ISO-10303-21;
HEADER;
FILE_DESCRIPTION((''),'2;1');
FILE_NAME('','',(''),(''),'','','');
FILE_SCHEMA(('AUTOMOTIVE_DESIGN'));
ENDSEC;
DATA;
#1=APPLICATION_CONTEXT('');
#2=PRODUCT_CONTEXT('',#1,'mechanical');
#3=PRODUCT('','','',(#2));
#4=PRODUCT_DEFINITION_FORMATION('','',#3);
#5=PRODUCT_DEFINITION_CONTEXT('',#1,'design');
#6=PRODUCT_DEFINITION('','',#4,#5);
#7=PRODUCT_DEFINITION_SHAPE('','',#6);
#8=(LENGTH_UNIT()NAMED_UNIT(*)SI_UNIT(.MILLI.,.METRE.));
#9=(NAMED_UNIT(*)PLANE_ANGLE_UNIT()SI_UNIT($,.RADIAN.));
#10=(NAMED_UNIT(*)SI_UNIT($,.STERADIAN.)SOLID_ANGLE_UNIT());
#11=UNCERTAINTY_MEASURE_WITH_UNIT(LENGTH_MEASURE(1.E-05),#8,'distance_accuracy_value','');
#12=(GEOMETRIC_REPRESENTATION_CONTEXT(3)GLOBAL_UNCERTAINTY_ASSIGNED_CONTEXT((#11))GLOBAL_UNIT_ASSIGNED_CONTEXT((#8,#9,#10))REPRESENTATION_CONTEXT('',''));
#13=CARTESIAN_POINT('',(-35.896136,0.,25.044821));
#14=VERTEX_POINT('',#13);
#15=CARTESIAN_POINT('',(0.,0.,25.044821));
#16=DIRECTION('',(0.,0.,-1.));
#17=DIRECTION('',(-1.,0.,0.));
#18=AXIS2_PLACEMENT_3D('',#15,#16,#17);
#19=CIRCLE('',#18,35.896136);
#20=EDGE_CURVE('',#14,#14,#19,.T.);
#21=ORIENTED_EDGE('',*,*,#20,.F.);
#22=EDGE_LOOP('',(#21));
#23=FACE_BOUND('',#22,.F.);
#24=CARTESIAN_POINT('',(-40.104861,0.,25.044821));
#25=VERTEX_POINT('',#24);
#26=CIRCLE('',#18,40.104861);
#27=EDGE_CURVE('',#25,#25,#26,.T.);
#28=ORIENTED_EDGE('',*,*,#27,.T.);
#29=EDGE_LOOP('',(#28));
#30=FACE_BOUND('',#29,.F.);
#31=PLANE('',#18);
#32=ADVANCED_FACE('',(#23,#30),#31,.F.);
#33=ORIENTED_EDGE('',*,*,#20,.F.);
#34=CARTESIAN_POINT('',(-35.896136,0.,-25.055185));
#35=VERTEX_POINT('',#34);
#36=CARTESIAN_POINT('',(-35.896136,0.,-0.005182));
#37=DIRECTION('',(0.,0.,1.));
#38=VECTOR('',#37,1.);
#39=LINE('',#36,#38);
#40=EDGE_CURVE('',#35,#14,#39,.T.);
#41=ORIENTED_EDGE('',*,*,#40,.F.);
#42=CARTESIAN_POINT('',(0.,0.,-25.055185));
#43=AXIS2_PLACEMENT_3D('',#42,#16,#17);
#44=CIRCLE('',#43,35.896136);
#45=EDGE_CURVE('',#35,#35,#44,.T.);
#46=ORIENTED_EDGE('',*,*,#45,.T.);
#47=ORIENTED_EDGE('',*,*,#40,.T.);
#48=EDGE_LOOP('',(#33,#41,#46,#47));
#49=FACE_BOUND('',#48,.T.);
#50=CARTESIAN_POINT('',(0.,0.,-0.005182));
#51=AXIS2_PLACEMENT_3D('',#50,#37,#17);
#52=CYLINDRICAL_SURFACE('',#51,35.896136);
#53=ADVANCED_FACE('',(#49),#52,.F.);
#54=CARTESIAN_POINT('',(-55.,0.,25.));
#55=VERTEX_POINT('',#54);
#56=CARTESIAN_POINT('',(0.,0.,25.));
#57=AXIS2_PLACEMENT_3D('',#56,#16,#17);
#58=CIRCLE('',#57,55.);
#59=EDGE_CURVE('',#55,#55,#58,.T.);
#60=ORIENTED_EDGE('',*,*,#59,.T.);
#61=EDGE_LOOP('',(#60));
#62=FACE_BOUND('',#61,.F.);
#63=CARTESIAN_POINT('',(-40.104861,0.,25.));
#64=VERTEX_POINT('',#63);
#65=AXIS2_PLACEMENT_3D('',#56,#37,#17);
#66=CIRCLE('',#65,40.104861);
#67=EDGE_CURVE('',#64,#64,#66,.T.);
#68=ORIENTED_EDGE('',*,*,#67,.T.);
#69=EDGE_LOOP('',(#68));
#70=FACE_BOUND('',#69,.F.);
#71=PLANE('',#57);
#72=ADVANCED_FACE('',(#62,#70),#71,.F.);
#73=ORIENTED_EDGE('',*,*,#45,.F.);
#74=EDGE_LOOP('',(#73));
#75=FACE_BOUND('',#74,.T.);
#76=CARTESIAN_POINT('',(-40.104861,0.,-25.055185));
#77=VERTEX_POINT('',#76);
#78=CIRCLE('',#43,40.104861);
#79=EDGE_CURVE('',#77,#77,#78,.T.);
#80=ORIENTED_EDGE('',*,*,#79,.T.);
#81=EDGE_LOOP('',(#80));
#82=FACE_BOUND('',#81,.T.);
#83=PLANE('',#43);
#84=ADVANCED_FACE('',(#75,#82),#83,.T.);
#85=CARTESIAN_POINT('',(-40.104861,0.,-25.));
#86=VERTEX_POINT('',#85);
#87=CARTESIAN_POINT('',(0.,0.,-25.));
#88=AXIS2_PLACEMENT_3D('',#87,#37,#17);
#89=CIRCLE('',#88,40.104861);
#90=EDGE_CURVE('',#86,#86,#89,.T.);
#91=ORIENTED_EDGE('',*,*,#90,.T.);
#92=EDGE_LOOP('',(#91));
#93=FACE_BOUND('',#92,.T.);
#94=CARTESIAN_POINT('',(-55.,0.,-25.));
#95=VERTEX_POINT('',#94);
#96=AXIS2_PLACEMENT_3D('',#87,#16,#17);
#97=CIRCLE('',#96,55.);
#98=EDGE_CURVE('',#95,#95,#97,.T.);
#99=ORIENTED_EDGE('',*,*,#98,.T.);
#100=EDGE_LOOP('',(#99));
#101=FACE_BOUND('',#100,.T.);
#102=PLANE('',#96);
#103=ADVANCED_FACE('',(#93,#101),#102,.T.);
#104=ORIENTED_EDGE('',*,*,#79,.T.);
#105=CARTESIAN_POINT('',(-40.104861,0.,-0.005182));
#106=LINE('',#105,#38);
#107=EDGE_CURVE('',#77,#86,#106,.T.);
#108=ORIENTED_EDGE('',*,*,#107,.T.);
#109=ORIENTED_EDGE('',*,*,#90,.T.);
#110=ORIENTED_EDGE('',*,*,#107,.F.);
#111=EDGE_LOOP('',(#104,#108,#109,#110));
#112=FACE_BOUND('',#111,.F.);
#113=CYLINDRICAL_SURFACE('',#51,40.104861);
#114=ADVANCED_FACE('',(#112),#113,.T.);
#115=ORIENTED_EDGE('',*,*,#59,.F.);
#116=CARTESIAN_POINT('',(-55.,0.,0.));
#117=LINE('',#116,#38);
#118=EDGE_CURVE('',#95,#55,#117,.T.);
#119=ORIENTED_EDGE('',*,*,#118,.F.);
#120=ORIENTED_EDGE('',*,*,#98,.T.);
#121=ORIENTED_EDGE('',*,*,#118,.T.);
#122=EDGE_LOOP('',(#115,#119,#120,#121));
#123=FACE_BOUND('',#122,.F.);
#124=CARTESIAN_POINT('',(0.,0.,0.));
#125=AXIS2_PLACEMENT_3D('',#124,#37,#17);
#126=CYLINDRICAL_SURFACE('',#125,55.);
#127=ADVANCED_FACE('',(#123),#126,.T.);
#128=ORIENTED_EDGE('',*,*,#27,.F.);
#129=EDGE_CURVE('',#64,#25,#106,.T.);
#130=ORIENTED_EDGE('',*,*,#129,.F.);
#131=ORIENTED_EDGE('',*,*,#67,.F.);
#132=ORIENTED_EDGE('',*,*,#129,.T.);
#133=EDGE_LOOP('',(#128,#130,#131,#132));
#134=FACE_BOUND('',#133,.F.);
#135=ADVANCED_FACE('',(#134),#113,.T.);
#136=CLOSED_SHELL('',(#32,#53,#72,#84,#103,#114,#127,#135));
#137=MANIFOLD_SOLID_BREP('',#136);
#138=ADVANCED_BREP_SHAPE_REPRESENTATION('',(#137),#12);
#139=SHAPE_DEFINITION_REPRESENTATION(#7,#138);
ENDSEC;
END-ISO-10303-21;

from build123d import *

# Parameters (mm, degrees)
F0_W = 15
F0_H = 50
F1_W = 4.208725
F1_H = 50.100006


with BuildPart() as f2:
    # F0 (on Front) → F2 (revolve)
    with BuildSketch(Plane.XZ):
        with Locations((-47.5, 0)):
            Rectangle(F0_W, F0_H)
    revolve(axis=Axis((0, 0, 0), (0, 0, -1)))

    # F1 (on Front) → F3 (revolve)
    with BuildSketch(Plane.XZ):
        with Locations((-38.000499, -0.005182)):
            Rectangle(F1_W, F1_H)
    revolve(axis=Axis((0, 0, 0), (0, 0, -1)))


solid = f2.part
